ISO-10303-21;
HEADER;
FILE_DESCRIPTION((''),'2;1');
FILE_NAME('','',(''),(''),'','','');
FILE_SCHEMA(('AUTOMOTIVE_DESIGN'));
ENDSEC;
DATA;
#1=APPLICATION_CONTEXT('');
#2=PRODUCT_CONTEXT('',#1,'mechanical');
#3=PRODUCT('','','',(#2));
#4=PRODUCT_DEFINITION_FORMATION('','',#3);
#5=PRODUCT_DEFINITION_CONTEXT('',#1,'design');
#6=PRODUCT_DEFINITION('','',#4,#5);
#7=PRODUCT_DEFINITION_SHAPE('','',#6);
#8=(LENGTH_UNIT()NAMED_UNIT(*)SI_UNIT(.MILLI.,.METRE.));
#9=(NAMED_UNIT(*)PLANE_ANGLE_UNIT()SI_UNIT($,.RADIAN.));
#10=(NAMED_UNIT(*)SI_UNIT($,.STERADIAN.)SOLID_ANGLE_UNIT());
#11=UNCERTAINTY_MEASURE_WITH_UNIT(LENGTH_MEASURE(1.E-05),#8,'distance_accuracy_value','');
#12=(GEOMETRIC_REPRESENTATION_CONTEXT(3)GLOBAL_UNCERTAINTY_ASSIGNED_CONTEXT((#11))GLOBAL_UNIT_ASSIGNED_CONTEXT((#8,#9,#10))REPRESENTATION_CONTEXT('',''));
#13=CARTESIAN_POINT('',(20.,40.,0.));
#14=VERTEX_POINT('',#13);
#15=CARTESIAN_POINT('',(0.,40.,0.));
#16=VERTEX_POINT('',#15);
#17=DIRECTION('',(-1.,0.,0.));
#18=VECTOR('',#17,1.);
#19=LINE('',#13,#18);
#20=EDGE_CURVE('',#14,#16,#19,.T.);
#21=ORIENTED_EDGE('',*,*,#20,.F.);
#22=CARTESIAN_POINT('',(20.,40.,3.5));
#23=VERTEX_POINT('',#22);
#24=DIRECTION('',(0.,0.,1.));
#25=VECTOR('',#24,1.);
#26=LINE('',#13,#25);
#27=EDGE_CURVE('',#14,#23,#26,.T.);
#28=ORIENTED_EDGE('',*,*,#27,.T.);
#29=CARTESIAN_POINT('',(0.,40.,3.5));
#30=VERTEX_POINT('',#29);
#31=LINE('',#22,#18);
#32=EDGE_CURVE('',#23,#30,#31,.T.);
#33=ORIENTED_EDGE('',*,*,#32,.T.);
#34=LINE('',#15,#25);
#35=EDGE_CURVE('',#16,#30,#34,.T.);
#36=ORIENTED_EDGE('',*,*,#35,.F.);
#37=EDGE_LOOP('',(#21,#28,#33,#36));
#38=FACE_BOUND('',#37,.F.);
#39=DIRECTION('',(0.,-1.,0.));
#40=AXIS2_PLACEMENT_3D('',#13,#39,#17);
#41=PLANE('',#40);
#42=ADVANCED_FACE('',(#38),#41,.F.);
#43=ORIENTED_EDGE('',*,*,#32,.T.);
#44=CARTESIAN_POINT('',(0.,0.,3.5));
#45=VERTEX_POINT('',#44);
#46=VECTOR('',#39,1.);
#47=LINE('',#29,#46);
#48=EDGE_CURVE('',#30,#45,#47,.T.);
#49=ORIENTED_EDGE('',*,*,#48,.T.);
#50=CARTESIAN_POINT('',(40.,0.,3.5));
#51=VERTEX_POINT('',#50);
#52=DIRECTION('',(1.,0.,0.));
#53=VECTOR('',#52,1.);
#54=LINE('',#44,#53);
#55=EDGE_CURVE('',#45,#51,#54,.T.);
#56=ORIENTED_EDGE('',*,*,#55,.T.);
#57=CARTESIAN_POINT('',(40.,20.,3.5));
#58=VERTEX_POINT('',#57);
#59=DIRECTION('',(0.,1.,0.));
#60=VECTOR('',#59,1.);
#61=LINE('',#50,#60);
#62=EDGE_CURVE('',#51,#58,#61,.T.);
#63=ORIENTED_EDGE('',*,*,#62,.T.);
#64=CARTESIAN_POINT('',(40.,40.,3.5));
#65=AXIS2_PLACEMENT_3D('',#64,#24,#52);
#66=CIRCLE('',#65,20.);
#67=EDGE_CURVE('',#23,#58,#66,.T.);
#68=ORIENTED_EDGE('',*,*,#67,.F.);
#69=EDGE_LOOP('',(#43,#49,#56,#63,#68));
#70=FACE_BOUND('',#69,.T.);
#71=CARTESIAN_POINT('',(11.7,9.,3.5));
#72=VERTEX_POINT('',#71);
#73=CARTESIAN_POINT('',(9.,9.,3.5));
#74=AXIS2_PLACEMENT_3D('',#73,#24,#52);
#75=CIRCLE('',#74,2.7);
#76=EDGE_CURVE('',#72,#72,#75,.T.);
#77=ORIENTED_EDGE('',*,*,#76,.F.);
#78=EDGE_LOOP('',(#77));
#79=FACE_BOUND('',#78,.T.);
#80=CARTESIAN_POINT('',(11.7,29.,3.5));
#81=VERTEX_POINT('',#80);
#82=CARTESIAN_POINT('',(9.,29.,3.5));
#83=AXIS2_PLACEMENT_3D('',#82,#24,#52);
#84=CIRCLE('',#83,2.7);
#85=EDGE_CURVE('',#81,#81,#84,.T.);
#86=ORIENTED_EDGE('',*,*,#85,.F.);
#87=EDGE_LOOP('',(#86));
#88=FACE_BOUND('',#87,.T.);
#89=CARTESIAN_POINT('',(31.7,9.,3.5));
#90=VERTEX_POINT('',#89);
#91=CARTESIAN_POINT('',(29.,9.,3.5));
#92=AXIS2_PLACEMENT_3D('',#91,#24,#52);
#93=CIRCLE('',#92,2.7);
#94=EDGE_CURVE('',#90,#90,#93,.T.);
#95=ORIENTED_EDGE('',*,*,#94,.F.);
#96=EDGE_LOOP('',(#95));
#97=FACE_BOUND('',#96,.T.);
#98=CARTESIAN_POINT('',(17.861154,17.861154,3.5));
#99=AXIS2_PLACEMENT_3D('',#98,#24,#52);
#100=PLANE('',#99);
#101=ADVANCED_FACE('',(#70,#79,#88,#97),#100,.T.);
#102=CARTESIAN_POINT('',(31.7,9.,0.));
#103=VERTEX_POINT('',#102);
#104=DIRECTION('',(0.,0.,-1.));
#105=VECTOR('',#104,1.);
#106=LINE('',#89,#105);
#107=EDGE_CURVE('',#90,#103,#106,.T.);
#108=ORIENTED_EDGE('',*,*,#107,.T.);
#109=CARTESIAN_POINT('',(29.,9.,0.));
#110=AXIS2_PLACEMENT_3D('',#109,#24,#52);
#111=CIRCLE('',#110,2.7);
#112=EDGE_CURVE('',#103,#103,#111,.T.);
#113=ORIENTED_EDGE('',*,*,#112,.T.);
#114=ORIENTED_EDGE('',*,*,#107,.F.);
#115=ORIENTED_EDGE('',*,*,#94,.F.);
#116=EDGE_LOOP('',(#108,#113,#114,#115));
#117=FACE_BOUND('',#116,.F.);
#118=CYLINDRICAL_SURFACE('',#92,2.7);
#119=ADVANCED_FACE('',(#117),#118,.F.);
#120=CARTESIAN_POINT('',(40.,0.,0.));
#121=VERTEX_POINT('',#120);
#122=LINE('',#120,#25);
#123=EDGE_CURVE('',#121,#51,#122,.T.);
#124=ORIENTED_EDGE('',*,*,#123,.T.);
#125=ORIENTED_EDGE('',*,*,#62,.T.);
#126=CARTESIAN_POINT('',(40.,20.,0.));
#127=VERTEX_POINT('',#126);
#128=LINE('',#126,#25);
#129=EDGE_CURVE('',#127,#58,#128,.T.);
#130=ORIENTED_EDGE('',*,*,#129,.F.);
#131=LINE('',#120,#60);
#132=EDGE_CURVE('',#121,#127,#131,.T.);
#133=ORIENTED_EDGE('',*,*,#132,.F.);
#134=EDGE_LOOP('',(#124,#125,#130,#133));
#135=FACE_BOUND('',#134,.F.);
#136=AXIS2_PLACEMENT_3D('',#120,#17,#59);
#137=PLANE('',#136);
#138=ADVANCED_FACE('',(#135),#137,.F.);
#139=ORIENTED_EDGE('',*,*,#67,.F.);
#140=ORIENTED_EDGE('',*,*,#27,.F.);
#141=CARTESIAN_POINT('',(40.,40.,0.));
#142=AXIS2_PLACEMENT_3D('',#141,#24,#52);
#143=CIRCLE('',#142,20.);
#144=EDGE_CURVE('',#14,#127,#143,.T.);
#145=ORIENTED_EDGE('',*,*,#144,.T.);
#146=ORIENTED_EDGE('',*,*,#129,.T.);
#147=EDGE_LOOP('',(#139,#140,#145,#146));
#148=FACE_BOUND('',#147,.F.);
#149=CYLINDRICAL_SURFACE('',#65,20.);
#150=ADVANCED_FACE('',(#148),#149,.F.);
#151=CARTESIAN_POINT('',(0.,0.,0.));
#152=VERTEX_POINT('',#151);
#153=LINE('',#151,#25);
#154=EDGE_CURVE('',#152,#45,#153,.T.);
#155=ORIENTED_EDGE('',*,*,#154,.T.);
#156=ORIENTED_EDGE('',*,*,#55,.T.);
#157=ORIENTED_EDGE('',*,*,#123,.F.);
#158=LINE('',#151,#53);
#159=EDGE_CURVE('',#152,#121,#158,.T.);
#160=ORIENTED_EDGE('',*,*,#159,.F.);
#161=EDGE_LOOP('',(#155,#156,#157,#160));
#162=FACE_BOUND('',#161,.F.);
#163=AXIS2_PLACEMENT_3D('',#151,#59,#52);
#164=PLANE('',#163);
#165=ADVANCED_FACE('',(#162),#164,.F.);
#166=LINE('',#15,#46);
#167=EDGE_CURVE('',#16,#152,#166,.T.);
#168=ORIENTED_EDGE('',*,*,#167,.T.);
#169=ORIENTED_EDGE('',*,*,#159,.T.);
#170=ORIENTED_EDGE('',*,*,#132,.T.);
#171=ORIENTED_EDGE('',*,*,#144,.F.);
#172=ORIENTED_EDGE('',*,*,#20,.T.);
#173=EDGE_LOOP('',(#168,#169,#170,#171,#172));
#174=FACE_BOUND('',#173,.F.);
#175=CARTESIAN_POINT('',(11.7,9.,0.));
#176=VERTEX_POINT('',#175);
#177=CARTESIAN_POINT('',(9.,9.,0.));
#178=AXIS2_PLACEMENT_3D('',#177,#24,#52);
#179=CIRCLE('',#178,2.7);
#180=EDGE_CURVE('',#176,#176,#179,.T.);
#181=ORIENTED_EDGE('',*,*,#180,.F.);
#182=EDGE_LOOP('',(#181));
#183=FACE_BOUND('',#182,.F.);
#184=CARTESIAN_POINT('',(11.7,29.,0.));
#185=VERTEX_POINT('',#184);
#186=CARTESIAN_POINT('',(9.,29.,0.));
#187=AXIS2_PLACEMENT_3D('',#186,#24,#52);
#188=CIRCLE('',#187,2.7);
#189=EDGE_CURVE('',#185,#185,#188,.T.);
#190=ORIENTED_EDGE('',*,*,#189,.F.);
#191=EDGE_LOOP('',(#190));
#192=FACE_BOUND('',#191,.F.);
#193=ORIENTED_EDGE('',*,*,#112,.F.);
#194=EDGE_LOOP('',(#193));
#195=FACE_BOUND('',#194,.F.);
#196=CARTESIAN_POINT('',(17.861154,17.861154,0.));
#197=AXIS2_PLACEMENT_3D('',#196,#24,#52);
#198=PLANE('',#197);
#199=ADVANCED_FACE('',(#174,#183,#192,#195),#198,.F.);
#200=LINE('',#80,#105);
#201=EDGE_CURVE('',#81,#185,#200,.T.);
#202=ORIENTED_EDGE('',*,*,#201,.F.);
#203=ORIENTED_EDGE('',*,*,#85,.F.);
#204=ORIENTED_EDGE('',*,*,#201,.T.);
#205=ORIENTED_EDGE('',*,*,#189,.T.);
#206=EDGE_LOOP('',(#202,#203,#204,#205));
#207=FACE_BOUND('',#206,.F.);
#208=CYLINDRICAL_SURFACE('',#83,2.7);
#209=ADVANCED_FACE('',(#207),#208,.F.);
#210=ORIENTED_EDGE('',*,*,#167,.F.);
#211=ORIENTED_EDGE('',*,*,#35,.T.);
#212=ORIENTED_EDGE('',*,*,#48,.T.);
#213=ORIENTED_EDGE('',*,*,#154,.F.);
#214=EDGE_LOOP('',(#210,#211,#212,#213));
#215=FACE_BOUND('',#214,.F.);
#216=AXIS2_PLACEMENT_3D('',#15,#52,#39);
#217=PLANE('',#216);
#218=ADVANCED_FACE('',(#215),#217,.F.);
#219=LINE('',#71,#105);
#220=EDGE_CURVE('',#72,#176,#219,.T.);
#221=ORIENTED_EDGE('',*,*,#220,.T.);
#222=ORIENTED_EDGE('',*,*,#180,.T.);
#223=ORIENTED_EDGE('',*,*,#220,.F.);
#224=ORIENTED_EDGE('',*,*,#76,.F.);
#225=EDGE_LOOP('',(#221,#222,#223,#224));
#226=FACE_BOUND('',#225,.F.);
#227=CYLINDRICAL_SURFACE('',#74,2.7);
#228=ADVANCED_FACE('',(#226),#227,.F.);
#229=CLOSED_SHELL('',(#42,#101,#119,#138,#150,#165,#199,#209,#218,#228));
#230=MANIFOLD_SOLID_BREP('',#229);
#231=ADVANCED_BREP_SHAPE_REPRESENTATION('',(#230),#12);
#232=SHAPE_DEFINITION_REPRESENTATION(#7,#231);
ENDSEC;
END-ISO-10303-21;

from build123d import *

# Parameters (mm, degrees)
PAD_DEPTH       = 3.5
SKETCH001_R     = 2.7
POCKET_DEPTH    = 5
SKETCH002_R     = 20
POCKET001_DEPTH = 5


with BuildPart() as part:
    # Sketch → Pad (new body)
    with BuildSketch(Plane.XY):
        Polygon((0, 0), (40, 0), (40, 20), (20, 40), (0, 40), align=None)
    extrude(amount=PAD_DEPTH)

    # Sketch001 → Pocket (cut)
    with BuildSketch(Plane.XY.offset(3.5)):
        with Locations((9, 29)):
            Circle(SKETCH001_R)
        with Locations((29, 9)):
            Circle(SKETCH001_R)
        with Locations((9, 9)):
            Circle(SKETCH001_R)
    extrude(amount=-POCKET_DEPTH, mode=Mode.SUBTRACT)

    # Sketch002 → Pocket001 (cut)
    with BuildSketch(Plane.XY.offset(3.5)):
        with Locations((40, 40)):
            Circle(SKETCH002_R)
    extrude(amount=-POCKET001_DEPTH, mode=Mode.SUBTRACT)


solid = part.part
